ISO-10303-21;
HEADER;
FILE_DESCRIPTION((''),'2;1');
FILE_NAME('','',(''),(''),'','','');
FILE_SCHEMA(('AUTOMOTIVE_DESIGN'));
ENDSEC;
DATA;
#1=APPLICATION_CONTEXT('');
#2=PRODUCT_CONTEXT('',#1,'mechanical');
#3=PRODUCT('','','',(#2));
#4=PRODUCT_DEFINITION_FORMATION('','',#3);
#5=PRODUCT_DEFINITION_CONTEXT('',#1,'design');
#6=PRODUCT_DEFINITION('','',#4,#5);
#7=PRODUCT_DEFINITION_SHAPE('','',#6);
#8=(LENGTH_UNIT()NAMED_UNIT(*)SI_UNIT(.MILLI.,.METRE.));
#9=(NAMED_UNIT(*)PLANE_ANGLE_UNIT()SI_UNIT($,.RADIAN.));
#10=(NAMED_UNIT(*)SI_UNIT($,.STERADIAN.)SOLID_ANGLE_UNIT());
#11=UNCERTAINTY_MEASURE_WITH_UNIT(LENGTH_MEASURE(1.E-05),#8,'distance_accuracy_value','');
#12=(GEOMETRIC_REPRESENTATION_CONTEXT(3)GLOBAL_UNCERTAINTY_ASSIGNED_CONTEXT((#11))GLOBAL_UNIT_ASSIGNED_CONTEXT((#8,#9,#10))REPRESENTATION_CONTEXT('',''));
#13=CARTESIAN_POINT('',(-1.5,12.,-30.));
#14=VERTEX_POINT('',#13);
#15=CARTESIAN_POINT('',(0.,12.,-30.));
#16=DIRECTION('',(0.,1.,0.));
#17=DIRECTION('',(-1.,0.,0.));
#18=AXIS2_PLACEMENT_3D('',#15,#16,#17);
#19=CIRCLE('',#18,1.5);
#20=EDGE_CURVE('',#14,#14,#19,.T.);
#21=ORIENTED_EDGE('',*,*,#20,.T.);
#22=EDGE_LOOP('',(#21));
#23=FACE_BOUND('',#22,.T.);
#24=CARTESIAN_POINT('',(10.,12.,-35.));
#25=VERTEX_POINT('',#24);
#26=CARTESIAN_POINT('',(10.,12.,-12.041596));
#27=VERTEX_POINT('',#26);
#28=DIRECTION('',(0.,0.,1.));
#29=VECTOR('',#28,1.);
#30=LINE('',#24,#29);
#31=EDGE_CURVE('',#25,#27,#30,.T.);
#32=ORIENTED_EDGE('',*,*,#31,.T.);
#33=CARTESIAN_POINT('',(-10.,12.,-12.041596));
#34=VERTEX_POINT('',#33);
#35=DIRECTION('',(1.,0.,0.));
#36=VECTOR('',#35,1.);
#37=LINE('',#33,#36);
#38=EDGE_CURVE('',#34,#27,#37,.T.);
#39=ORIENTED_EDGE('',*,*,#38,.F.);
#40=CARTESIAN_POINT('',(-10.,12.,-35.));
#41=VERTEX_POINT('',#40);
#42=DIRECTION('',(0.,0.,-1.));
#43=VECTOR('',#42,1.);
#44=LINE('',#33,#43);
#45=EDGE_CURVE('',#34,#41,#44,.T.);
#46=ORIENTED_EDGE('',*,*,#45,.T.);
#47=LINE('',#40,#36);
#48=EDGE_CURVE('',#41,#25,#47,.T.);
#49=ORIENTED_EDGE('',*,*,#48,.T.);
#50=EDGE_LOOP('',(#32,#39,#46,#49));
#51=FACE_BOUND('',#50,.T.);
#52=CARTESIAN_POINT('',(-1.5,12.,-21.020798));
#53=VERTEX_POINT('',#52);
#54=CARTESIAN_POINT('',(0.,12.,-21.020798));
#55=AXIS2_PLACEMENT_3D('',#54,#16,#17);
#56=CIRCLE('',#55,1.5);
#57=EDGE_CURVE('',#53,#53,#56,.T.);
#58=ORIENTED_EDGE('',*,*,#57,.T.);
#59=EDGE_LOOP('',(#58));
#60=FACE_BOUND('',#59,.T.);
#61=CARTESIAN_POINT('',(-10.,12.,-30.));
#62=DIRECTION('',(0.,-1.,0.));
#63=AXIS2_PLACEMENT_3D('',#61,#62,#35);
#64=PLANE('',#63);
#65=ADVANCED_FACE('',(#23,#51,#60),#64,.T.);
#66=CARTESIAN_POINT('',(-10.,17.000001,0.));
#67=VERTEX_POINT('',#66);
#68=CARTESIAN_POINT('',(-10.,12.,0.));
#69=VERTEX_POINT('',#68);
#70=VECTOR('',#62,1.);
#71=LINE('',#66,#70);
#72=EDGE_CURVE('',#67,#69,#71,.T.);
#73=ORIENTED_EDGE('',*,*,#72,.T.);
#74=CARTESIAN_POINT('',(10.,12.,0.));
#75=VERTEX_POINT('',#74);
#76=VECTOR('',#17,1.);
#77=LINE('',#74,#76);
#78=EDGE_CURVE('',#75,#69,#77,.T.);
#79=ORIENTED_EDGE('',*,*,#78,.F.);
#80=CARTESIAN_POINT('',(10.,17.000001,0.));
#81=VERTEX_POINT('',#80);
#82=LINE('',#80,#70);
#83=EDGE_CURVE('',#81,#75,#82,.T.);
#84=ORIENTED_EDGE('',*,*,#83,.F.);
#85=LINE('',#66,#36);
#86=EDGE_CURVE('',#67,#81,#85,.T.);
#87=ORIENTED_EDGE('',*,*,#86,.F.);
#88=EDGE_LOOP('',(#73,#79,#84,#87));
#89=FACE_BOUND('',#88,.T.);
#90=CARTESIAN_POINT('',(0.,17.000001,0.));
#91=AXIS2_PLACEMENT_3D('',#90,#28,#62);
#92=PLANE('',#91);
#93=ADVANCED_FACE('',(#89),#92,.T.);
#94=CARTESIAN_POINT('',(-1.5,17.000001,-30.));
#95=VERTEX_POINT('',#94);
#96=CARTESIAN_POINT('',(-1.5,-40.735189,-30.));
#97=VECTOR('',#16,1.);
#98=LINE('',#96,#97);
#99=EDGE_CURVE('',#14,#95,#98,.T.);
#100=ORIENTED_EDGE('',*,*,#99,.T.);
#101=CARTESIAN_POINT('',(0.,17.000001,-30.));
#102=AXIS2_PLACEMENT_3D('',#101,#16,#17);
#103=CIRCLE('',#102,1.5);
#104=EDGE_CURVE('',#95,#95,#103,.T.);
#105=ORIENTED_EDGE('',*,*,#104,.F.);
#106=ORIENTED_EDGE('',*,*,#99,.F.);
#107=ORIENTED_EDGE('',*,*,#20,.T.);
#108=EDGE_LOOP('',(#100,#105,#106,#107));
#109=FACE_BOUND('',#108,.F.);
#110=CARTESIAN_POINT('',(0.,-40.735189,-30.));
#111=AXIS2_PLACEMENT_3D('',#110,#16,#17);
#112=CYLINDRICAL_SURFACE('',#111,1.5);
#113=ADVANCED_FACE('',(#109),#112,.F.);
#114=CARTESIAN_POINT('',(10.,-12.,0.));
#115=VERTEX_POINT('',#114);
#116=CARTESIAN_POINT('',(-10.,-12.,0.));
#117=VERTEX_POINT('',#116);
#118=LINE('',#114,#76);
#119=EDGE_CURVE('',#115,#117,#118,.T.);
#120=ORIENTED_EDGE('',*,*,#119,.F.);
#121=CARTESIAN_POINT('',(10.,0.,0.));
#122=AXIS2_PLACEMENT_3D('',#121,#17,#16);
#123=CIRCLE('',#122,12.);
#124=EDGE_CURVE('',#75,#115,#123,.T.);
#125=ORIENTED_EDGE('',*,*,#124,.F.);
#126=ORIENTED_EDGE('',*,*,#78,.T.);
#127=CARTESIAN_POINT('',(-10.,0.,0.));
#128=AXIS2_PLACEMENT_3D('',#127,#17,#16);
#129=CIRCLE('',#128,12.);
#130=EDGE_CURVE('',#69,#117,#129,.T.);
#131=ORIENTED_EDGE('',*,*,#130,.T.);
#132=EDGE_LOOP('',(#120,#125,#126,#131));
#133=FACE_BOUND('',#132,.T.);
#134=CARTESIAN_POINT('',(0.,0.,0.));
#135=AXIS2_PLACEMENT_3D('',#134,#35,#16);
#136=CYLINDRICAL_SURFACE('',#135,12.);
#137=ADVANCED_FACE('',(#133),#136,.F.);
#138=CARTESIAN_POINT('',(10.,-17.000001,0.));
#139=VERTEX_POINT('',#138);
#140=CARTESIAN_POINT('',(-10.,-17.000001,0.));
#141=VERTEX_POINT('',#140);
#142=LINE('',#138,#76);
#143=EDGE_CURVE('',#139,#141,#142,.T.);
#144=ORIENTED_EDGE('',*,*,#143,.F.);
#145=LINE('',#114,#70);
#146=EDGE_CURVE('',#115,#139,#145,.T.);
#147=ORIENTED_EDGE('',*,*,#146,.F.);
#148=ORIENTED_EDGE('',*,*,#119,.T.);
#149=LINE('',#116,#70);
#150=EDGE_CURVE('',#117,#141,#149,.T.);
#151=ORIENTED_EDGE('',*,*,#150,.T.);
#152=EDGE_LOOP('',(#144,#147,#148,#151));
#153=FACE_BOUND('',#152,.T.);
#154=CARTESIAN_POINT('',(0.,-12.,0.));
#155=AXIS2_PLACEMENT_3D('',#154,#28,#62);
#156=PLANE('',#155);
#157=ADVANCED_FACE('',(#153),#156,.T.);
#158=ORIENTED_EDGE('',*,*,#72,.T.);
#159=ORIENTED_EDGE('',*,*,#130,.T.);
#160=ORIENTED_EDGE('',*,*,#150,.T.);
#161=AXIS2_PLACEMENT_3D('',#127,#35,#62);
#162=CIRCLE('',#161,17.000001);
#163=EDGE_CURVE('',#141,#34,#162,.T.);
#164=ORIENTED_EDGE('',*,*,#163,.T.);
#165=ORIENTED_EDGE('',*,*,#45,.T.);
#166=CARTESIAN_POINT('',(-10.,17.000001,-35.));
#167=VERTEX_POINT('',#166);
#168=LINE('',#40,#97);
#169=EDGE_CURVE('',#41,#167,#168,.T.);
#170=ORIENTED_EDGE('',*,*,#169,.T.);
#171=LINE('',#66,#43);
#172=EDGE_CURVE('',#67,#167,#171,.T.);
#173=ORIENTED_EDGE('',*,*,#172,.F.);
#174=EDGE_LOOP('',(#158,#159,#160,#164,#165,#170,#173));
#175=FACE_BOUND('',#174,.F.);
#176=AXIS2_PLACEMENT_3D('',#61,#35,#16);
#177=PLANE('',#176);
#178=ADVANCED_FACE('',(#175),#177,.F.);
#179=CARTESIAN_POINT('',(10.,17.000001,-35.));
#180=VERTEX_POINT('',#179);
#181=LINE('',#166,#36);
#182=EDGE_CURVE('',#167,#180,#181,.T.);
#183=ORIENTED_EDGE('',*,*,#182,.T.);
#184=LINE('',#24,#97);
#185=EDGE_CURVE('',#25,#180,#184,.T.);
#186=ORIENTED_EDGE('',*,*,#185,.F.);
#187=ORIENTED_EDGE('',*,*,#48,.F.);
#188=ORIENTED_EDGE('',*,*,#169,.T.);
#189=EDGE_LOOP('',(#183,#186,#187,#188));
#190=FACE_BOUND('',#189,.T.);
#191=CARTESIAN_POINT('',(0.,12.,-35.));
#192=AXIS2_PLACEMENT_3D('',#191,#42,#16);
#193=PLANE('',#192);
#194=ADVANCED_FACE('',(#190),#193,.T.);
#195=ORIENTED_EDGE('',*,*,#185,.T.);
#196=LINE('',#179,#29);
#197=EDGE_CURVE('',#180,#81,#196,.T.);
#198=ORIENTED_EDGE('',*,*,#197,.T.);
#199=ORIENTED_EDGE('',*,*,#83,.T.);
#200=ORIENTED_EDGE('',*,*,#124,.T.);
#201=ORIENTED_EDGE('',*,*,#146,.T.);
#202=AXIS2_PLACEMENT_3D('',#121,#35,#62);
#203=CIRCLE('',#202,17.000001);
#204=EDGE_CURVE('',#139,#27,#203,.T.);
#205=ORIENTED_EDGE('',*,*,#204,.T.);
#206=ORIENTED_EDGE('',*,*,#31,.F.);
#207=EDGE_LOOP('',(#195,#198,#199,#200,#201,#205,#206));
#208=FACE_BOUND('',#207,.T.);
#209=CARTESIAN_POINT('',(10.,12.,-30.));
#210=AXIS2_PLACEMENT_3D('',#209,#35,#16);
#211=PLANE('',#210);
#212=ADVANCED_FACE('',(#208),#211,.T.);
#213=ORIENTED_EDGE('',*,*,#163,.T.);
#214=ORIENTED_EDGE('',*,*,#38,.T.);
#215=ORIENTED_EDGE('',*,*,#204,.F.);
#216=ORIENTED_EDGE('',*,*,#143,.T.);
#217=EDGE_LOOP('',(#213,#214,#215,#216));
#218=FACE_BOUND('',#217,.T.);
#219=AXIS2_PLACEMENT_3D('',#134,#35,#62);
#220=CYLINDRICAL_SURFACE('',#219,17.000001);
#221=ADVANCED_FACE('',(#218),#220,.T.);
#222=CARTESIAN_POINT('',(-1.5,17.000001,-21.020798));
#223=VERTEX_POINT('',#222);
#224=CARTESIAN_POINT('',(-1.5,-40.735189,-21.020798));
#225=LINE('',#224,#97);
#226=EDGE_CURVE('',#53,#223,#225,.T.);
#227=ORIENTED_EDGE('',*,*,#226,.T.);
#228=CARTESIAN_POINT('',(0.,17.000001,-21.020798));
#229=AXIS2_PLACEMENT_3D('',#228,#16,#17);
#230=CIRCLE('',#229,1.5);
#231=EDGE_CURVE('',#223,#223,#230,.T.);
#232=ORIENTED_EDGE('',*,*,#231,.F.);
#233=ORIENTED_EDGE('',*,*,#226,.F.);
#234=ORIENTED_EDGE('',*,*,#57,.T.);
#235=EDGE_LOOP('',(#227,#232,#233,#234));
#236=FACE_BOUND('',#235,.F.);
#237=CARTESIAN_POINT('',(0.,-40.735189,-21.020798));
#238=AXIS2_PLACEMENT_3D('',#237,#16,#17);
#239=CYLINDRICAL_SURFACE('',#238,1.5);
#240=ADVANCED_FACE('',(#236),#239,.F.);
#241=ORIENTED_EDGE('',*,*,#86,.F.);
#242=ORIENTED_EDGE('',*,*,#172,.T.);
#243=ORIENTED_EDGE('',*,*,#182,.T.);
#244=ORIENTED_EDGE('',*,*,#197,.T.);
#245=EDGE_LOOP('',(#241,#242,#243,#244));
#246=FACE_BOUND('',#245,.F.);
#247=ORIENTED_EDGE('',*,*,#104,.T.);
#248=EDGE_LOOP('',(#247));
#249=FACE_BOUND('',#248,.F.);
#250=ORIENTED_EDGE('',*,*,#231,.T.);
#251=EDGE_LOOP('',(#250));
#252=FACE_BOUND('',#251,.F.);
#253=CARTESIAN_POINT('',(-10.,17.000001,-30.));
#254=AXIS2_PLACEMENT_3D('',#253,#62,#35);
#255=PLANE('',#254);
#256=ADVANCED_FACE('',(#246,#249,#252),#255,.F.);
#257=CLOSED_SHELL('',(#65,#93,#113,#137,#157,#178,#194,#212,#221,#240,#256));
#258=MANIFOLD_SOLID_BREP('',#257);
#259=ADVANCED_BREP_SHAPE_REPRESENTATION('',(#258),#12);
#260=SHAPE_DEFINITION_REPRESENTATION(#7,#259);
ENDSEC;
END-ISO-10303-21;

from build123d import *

# Parameters (mm, degrees)
F1_DEPTH = 10
F3_DEPTH = 5
F4_D     = 3


with BuildPart() as f1:
    # F0 (on Right) → F1 (new body, symmetric)
    with BuildSketch(Plane.YZ):
        with BuildLine():
            ThreePointArc((12, 0), (0, -12), (-12, 0))
            Line((-12, 0), (-17.0000008196, 0))
            ThreePointArc((-17.0000008196, 0), (-6.5192030966, -15.7003190684), (12, -12.0415957358))
            Line((12, -12.0415957358), (12, 0))
        make_face()
        with BuildLine():
            Line((17.0000008196, -30), (17.0000008196, 0))
            ThreePointArc((17.0000008196, 0), (15.7003190684, -6.5192030966), (12, -12.0415957358))
            Line((12, -12.0415957358), (12, -30))
            Line((12, -30), (17.0000008196, -30))
        make_face()
        with BuildLine():
            Line((17.0000008196, 0), (12, 0))
            Line((12, 0), (12, -12.0415957358))
            ThreePointArc((12, -12.0415957358), (15.7003190684, -6.5192030966), (17.0000008196, 0))
        make_face()
    extrude(amount=F1_DEPTH, both=True)

    # F3 (add): a face of the model
    f3_faces = [f1.faces().sort_by_distance(p)[0] for p in [
        (0, 14.5000004098, -30),
    ]]
    extrude(f3_faces, amount=F3_DEPTH)

    # F4 (through all)
    with Locations(Plane.XZ.offset(-12)):
        with Locations((0, -30), (0, -21.0207978679)):
            Hole(F4_D / 2)


solid = f1.part
